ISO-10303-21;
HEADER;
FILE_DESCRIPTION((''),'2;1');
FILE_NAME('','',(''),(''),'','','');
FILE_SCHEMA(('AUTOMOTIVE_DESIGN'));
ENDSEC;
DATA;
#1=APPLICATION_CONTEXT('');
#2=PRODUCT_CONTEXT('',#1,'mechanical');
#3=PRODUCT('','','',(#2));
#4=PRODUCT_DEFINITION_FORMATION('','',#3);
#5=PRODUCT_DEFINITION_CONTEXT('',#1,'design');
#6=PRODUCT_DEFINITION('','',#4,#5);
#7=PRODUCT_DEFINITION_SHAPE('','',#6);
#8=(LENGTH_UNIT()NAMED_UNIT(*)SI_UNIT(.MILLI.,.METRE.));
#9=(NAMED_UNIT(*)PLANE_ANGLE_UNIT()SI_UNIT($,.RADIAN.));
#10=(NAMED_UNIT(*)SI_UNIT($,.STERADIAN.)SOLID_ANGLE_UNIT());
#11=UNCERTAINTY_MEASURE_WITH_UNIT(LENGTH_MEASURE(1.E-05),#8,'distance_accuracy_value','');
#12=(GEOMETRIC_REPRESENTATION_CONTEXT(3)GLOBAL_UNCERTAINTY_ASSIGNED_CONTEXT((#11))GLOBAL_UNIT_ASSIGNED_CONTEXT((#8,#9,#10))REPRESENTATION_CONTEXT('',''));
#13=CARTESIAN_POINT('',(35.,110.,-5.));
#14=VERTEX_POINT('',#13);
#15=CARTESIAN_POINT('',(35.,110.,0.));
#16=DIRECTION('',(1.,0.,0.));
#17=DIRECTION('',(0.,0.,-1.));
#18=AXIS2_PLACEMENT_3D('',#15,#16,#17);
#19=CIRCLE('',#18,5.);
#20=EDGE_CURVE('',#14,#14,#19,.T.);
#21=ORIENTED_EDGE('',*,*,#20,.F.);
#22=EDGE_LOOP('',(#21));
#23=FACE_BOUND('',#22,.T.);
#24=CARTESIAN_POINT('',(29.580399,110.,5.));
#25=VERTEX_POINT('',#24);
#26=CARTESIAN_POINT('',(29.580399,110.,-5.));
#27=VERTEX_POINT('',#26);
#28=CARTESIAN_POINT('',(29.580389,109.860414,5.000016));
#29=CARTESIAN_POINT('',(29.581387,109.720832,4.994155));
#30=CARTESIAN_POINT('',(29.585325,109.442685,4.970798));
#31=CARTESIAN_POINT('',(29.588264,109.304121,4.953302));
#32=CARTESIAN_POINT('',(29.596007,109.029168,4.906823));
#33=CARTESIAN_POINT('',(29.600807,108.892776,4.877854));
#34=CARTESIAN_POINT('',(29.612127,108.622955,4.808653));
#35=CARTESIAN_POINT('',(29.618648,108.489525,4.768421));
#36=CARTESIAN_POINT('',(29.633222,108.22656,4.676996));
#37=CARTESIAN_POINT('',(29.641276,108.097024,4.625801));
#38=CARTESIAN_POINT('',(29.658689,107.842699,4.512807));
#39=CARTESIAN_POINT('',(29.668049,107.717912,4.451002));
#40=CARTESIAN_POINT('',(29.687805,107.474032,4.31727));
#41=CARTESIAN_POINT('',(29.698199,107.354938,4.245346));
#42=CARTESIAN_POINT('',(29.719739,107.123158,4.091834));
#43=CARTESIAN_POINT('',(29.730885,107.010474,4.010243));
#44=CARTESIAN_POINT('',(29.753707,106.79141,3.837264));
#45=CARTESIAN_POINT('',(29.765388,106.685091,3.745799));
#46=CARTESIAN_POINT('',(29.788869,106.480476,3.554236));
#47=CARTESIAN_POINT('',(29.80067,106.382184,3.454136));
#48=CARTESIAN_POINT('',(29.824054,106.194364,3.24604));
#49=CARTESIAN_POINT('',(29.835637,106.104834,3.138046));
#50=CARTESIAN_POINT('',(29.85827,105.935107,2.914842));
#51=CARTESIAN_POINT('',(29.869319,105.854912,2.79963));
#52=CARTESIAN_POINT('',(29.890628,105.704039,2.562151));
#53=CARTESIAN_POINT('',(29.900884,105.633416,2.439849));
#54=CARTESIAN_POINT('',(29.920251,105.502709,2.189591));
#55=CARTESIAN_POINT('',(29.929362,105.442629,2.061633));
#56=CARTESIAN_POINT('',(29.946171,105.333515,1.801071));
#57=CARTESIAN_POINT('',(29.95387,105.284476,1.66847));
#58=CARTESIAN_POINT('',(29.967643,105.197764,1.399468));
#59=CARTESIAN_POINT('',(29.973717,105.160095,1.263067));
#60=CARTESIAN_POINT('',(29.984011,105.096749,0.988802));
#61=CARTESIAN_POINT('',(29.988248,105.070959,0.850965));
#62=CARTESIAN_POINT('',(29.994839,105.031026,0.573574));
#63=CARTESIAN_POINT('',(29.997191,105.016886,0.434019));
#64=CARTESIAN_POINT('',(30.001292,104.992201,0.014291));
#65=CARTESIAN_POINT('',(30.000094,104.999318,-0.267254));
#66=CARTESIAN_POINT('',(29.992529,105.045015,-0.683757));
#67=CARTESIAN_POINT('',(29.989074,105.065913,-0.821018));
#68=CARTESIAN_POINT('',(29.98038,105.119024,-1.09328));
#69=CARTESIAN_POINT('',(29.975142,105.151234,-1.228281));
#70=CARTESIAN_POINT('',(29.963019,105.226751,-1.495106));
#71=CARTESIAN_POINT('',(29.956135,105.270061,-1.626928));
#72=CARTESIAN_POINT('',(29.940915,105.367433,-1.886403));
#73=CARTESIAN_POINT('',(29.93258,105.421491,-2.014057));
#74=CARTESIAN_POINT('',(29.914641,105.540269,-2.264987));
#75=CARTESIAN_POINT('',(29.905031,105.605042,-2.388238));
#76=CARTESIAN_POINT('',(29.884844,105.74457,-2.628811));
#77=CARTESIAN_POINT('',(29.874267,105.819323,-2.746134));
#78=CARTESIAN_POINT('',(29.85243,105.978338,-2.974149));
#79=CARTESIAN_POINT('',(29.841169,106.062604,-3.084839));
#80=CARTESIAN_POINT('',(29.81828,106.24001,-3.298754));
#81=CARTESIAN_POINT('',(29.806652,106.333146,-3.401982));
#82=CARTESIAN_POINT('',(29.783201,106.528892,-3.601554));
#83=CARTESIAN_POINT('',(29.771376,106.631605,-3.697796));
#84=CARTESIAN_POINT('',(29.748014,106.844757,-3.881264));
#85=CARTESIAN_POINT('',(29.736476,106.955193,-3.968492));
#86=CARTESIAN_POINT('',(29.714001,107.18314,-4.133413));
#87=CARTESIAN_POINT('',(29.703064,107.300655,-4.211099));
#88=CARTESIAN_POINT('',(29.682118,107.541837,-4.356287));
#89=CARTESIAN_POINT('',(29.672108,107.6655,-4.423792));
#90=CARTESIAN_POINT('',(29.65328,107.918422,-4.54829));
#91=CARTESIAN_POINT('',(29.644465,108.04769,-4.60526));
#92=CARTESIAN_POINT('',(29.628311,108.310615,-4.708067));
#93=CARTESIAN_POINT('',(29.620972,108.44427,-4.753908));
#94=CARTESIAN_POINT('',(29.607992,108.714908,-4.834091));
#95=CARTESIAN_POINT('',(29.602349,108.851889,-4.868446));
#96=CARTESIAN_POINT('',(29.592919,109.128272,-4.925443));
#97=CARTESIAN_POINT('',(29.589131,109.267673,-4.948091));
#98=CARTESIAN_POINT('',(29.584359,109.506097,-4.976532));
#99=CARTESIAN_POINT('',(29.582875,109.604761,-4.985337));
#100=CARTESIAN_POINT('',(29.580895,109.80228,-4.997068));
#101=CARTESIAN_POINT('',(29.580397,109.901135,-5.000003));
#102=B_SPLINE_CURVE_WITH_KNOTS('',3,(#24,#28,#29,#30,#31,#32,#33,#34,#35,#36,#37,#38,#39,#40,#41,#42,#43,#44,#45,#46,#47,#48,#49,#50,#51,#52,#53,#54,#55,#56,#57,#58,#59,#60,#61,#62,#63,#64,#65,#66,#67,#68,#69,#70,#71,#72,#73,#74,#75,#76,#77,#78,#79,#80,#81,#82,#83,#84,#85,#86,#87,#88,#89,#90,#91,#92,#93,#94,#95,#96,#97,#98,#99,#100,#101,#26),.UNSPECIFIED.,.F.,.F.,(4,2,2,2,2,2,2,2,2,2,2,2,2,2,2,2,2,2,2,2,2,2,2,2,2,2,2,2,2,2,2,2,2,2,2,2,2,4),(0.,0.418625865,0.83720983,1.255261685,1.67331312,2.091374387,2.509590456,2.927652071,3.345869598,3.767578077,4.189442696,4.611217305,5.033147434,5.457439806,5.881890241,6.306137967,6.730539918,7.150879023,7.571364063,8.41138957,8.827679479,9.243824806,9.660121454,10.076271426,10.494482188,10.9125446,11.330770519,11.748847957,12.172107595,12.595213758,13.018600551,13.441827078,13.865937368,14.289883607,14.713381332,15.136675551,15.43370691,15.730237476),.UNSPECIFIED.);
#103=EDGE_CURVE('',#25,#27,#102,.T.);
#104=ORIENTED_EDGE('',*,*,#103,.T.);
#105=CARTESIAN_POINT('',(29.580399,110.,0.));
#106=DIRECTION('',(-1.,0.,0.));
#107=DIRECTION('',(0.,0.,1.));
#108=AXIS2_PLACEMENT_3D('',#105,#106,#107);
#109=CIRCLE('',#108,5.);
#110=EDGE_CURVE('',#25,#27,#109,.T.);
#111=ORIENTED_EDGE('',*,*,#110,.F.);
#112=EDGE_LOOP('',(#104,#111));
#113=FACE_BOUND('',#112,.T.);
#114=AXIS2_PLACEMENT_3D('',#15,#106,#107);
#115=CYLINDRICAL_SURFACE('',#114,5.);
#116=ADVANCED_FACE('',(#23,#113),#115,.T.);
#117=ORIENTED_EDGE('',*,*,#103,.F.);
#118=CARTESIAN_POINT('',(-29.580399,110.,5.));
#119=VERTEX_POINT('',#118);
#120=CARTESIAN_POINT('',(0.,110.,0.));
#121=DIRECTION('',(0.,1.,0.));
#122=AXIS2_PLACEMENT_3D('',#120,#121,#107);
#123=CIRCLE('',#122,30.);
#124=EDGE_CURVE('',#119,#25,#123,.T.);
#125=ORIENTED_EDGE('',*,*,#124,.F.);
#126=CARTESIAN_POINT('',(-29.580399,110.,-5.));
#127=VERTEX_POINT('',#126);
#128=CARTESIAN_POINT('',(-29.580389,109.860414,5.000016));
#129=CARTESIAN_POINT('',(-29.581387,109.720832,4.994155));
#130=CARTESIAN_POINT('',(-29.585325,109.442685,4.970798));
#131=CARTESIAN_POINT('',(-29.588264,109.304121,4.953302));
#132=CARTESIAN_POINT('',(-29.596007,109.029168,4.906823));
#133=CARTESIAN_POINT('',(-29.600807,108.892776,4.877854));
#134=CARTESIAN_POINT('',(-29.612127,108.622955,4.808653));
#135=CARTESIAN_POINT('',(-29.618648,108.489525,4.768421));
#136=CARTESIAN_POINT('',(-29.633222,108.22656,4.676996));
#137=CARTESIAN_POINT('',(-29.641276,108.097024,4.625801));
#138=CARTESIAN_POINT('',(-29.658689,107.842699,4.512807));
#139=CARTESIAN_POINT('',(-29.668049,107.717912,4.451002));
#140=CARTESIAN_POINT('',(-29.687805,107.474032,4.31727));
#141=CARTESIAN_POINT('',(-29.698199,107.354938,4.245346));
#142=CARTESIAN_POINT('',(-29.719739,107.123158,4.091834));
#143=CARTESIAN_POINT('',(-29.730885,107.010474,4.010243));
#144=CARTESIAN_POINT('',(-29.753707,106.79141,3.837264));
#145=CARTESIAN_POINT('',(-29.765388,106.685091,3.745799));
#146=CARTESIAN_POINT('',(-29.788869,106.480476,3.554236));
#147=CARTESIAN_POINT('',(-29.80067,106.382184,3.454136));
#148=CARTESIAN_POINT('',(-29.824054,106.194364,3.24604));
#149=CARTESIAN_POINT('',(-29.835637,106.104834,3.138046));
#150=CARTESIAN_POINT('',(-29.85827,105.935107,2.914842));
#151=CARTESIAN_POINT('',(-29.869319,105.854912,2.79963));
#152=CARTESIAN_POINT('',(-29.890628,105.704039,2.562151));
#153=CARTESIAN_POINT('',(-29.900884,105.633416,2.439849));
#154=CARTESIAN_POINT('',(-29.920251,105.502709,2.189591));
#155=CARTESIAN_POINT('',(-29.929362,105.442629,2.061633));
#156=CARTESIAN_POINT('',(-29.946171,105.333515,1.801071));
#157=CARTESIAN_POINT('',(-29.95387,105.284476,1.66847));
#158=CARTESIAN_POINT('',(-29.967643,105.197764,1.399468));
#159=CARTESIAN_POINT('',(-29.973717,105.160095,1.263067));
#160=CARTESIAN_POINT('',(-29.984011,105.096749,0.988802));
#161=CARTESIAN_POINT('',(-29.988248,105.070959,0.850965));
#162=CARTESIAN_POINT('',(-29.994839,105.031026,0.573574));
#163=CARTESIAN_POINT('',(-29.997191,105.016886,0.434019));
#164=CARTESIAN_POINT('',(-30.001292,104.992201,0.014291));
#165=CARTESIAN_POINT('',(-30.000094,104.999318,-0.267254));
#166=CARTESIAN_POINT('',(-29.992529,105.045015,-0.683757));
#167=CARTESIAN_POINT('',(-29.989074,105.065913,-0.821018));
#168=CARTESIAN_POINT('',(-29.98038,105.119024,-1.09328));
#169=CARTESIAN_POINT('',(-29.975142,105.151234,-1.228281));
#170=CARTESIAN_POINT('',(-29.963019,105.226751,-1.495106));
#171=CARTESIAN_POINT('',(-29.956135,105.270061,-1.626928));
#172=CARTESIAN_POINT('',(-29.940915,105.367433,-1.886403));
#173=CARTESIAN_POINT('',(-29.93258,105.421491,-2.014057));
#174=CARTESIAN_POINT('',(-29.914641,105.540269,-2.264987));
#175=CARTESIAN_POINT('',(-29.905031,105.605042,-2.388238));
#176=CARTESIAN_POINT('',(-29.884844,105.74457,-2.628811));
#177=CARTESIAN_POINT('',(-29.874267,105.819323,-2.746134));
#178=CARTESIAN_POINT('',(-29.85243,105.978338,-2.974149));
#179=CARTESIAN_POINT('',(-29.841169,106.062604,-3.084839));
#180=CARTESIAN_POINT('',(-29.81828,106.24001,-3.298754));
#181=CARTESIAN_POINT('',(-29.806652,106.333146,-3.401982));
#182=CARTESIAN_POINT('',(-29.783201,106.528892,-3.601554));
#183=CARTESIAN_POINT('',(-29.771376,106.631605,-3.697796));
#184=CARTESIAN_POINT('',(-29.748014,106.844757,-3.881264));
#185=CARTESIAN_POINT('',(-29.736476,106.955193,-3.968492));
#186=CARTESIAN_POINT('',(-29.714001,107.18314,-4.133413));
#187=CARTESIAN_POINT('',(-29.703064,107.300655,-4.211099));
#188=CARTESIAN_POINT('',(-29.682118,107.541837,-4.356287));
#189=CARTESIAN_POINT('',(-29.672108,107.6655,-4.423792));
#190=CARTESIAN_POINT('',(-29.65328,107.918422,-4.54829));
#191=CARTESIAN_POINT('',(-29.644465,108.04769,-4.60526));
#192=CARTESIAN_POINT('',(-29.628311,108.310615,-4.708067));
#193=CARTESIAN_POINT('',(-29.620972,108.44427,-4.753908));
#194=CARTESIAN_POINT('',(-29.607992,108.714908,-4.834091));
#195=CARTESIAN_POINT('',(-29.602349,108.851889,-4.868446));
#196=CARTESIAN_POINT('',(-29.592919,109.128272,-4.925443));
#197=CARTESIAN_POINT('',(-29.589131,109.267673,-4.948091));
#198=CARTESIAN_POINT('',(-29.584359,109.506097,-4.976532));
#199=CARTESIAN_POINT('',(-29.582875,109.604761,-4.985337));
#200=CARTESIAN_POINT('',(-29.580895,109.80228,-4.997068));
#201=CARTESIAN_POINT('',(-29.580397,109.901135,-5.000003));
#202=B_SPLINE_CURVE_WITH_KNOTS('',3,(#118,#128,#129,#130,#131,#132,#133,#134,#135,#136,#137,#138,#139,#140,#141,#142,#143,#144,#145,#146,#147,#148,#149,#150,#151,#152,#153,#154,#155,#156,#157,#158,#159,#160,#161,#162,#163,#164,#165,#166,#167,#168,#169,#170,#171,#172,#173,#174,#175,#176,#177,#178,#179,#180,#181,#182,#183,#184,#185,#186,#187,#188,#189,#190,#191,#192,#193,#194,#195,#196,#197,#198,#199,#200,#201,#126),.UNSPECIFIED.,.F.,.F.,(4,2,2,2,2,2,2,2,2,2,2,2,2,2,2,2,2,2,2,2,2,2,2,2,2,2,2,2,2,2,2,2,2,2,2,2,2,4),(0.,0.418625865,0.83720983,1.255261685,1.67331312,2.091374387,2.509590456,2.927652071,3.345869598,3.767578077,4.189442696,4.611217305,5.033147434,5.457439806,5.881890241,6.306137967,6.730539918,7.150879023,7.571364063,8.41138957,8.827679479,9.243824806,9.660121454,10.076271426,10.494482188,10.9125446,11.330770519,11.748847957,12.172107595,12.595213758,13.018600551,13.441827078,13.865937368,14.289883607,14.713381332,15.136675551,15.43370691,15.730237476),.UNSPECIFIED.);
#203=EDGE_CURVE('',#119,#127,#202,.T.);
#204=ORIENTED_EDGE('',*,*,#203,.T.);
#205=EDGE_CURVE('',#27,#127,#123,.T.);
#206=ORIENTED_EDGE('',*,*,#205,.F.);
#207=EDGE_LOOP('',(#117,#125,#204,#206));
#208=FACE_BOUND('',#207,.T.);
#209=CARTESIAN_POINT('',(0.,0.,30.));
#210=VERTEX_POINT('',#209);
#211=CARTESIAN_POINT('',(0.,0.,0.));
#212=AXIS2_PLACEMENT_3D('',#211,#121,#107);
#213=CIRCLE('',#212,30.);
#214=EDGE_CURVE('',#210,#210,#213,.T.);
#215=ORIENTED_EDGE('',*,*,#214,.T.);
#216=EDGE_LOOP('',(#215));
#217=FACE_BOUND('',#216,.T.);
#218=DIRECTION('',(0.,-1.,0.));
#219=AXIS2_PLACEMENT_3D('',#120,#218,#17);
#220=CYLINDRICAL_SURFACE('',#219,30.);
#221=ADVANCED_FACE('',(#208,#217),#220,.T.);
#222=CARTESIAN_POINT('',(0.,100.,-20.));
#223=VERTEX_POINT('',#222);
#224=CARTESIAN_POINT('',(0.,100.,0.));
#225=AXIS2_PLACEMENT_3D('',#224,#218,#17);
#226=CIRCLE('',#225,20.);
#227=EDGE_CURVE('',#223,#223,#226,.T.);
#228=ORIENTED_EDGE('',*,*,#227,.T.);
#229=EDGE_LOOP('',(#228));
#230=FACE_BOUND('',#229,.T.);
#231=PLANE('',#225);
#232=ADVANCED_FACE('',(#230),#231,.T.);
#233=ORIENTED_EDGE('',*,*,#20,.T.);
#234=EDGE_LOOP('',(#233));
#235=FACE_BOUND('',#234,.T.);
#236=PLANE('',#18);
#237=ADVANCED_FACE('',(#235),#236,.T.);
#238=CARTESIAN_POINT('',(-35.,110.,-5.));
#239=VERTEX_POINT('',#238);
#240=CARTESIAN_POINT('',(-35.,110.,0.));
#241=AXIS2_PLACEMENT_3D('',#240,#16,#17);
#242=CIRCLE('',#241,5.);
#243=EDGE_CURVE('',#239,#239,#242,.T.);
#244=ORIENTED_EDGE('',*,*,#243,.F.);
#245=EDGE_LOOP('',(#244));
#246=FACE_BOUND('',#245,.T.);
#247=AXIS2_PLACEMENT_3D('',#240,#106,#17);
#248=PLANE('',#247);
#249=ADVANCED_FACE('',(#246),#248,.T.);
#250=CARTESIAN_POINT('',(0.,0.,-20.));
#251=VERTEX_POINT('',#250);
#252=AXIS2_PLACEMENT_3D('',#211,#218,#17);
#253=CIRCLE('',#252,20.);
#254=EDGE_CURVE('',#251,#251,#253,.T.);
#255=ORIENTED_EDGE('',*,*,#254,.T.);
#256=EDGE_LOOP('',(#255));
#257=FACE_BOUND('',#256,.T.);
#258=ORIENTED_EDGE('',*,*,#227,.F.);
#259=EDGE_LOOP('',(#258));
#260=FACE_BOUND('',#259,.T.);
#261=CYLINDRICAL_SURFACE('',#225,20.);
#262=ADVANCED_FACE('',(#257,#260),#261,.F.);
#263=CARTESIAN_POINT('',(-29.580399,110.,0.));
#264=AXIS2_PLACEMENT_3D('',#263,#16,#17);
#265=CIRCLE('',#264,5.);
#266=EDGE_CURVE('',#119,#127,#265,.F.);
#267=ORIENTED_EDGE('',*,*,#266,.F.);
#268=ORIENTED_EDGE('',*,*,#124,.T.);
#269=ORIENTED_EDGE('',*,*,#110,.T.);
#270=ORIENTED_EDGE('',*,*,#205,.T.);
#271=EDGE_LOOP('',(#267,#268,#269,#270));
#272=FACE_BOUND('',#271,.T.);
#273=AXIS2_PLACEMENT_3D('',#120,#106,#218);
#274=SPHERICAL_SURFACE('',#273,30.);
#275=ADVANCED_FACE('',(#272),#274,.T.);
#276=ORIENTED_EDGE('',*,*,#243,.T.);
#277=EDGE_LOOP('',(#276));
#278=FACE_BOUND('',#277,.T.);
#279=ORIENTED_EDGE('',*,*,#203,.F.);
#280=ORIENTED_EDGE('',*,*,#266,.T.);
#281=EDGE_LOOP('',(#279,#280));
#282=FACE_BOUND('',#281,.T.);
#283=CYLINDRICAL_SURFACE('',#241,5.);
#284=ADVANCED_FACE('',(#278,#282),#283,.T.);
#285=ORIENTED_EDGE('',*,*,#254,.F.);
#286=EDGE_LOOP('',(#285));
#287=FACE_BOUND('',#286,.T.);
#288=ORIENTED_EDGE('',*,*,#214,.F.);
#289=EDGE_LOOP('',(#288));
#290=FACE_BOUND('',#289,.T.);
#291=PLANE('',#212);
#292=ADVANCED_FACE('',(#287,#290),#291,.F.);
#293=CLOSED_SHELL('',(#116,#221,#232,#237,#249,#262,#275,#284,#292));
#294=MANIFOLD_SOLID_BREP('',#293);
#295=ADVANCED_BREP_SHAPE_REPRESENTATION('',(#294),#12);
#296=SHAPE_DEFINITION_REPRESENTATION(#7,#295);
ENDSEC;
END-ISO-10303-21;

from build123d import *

# Parameters (mm, degrees)
SKETCH1_R           = 30
BOSS_EXTRUDE1_DEPTH = 110
SKETCH6_R           = 20
CUT_EXTRUDE2_DEPTH  = 100
SKETCH7_R           = 5
BOSS_EXTRUDE2_DEPTH = 35


with BuildPart() as part:
    # Sketch1 → Boss-Extrude1 (new body)
    with BuildSketch(Plane(origin=(0, 0, 0), x_dir=(1, 0, 0), z_dir=(0, 1, 0))):
        Circle(SKETCH1_R)
    extrude(amount=BOSS_EXTRUDE1_DEPTH)

    # Sketch5 → Revolve1 (revolve)
    with BuildSketch(Plane.XY):
        with BuildLine():
            Line((-30, 110), (0, 110))
            Line((0, 110), (30, 110))
            ThreePointArc((30, 110), (0, 140), (-30, 110))
        make_face()
    revolve(axis=Axis((-30, 110, 0), (1, 0, 0)))

    # Sketch6 → Cut-Extrude2 (cut)
    with BuildSketch(Plane.XZ):
        Circle(SKETCH6_R)
    extrude(amount=-CUT_EXTRUDE2_DEPTH, mode=Mode.SUBTRACT)

    # Sketch7 → Boss-Extrude2 (add)
    with BuildSketch(Plane(origin=(0, 0, 0), x_dir=(0, 0, -1), z_dir=(1, 0, 0))):
        with Locations((0, 110)):
            Circle(SKETCH7_R)
    boss_extrude2 = extrude(amount=BOSS_EXTRUDE2_DEPTH)

    # Mirror1: Boss-Extrude2 across plane
    add(boss_extrude2.mirror(Plane(origin=(0, 0, 0), x_dir=(0, 0, 1), z_dir=(1, 0, 0))))


solid = part.part
